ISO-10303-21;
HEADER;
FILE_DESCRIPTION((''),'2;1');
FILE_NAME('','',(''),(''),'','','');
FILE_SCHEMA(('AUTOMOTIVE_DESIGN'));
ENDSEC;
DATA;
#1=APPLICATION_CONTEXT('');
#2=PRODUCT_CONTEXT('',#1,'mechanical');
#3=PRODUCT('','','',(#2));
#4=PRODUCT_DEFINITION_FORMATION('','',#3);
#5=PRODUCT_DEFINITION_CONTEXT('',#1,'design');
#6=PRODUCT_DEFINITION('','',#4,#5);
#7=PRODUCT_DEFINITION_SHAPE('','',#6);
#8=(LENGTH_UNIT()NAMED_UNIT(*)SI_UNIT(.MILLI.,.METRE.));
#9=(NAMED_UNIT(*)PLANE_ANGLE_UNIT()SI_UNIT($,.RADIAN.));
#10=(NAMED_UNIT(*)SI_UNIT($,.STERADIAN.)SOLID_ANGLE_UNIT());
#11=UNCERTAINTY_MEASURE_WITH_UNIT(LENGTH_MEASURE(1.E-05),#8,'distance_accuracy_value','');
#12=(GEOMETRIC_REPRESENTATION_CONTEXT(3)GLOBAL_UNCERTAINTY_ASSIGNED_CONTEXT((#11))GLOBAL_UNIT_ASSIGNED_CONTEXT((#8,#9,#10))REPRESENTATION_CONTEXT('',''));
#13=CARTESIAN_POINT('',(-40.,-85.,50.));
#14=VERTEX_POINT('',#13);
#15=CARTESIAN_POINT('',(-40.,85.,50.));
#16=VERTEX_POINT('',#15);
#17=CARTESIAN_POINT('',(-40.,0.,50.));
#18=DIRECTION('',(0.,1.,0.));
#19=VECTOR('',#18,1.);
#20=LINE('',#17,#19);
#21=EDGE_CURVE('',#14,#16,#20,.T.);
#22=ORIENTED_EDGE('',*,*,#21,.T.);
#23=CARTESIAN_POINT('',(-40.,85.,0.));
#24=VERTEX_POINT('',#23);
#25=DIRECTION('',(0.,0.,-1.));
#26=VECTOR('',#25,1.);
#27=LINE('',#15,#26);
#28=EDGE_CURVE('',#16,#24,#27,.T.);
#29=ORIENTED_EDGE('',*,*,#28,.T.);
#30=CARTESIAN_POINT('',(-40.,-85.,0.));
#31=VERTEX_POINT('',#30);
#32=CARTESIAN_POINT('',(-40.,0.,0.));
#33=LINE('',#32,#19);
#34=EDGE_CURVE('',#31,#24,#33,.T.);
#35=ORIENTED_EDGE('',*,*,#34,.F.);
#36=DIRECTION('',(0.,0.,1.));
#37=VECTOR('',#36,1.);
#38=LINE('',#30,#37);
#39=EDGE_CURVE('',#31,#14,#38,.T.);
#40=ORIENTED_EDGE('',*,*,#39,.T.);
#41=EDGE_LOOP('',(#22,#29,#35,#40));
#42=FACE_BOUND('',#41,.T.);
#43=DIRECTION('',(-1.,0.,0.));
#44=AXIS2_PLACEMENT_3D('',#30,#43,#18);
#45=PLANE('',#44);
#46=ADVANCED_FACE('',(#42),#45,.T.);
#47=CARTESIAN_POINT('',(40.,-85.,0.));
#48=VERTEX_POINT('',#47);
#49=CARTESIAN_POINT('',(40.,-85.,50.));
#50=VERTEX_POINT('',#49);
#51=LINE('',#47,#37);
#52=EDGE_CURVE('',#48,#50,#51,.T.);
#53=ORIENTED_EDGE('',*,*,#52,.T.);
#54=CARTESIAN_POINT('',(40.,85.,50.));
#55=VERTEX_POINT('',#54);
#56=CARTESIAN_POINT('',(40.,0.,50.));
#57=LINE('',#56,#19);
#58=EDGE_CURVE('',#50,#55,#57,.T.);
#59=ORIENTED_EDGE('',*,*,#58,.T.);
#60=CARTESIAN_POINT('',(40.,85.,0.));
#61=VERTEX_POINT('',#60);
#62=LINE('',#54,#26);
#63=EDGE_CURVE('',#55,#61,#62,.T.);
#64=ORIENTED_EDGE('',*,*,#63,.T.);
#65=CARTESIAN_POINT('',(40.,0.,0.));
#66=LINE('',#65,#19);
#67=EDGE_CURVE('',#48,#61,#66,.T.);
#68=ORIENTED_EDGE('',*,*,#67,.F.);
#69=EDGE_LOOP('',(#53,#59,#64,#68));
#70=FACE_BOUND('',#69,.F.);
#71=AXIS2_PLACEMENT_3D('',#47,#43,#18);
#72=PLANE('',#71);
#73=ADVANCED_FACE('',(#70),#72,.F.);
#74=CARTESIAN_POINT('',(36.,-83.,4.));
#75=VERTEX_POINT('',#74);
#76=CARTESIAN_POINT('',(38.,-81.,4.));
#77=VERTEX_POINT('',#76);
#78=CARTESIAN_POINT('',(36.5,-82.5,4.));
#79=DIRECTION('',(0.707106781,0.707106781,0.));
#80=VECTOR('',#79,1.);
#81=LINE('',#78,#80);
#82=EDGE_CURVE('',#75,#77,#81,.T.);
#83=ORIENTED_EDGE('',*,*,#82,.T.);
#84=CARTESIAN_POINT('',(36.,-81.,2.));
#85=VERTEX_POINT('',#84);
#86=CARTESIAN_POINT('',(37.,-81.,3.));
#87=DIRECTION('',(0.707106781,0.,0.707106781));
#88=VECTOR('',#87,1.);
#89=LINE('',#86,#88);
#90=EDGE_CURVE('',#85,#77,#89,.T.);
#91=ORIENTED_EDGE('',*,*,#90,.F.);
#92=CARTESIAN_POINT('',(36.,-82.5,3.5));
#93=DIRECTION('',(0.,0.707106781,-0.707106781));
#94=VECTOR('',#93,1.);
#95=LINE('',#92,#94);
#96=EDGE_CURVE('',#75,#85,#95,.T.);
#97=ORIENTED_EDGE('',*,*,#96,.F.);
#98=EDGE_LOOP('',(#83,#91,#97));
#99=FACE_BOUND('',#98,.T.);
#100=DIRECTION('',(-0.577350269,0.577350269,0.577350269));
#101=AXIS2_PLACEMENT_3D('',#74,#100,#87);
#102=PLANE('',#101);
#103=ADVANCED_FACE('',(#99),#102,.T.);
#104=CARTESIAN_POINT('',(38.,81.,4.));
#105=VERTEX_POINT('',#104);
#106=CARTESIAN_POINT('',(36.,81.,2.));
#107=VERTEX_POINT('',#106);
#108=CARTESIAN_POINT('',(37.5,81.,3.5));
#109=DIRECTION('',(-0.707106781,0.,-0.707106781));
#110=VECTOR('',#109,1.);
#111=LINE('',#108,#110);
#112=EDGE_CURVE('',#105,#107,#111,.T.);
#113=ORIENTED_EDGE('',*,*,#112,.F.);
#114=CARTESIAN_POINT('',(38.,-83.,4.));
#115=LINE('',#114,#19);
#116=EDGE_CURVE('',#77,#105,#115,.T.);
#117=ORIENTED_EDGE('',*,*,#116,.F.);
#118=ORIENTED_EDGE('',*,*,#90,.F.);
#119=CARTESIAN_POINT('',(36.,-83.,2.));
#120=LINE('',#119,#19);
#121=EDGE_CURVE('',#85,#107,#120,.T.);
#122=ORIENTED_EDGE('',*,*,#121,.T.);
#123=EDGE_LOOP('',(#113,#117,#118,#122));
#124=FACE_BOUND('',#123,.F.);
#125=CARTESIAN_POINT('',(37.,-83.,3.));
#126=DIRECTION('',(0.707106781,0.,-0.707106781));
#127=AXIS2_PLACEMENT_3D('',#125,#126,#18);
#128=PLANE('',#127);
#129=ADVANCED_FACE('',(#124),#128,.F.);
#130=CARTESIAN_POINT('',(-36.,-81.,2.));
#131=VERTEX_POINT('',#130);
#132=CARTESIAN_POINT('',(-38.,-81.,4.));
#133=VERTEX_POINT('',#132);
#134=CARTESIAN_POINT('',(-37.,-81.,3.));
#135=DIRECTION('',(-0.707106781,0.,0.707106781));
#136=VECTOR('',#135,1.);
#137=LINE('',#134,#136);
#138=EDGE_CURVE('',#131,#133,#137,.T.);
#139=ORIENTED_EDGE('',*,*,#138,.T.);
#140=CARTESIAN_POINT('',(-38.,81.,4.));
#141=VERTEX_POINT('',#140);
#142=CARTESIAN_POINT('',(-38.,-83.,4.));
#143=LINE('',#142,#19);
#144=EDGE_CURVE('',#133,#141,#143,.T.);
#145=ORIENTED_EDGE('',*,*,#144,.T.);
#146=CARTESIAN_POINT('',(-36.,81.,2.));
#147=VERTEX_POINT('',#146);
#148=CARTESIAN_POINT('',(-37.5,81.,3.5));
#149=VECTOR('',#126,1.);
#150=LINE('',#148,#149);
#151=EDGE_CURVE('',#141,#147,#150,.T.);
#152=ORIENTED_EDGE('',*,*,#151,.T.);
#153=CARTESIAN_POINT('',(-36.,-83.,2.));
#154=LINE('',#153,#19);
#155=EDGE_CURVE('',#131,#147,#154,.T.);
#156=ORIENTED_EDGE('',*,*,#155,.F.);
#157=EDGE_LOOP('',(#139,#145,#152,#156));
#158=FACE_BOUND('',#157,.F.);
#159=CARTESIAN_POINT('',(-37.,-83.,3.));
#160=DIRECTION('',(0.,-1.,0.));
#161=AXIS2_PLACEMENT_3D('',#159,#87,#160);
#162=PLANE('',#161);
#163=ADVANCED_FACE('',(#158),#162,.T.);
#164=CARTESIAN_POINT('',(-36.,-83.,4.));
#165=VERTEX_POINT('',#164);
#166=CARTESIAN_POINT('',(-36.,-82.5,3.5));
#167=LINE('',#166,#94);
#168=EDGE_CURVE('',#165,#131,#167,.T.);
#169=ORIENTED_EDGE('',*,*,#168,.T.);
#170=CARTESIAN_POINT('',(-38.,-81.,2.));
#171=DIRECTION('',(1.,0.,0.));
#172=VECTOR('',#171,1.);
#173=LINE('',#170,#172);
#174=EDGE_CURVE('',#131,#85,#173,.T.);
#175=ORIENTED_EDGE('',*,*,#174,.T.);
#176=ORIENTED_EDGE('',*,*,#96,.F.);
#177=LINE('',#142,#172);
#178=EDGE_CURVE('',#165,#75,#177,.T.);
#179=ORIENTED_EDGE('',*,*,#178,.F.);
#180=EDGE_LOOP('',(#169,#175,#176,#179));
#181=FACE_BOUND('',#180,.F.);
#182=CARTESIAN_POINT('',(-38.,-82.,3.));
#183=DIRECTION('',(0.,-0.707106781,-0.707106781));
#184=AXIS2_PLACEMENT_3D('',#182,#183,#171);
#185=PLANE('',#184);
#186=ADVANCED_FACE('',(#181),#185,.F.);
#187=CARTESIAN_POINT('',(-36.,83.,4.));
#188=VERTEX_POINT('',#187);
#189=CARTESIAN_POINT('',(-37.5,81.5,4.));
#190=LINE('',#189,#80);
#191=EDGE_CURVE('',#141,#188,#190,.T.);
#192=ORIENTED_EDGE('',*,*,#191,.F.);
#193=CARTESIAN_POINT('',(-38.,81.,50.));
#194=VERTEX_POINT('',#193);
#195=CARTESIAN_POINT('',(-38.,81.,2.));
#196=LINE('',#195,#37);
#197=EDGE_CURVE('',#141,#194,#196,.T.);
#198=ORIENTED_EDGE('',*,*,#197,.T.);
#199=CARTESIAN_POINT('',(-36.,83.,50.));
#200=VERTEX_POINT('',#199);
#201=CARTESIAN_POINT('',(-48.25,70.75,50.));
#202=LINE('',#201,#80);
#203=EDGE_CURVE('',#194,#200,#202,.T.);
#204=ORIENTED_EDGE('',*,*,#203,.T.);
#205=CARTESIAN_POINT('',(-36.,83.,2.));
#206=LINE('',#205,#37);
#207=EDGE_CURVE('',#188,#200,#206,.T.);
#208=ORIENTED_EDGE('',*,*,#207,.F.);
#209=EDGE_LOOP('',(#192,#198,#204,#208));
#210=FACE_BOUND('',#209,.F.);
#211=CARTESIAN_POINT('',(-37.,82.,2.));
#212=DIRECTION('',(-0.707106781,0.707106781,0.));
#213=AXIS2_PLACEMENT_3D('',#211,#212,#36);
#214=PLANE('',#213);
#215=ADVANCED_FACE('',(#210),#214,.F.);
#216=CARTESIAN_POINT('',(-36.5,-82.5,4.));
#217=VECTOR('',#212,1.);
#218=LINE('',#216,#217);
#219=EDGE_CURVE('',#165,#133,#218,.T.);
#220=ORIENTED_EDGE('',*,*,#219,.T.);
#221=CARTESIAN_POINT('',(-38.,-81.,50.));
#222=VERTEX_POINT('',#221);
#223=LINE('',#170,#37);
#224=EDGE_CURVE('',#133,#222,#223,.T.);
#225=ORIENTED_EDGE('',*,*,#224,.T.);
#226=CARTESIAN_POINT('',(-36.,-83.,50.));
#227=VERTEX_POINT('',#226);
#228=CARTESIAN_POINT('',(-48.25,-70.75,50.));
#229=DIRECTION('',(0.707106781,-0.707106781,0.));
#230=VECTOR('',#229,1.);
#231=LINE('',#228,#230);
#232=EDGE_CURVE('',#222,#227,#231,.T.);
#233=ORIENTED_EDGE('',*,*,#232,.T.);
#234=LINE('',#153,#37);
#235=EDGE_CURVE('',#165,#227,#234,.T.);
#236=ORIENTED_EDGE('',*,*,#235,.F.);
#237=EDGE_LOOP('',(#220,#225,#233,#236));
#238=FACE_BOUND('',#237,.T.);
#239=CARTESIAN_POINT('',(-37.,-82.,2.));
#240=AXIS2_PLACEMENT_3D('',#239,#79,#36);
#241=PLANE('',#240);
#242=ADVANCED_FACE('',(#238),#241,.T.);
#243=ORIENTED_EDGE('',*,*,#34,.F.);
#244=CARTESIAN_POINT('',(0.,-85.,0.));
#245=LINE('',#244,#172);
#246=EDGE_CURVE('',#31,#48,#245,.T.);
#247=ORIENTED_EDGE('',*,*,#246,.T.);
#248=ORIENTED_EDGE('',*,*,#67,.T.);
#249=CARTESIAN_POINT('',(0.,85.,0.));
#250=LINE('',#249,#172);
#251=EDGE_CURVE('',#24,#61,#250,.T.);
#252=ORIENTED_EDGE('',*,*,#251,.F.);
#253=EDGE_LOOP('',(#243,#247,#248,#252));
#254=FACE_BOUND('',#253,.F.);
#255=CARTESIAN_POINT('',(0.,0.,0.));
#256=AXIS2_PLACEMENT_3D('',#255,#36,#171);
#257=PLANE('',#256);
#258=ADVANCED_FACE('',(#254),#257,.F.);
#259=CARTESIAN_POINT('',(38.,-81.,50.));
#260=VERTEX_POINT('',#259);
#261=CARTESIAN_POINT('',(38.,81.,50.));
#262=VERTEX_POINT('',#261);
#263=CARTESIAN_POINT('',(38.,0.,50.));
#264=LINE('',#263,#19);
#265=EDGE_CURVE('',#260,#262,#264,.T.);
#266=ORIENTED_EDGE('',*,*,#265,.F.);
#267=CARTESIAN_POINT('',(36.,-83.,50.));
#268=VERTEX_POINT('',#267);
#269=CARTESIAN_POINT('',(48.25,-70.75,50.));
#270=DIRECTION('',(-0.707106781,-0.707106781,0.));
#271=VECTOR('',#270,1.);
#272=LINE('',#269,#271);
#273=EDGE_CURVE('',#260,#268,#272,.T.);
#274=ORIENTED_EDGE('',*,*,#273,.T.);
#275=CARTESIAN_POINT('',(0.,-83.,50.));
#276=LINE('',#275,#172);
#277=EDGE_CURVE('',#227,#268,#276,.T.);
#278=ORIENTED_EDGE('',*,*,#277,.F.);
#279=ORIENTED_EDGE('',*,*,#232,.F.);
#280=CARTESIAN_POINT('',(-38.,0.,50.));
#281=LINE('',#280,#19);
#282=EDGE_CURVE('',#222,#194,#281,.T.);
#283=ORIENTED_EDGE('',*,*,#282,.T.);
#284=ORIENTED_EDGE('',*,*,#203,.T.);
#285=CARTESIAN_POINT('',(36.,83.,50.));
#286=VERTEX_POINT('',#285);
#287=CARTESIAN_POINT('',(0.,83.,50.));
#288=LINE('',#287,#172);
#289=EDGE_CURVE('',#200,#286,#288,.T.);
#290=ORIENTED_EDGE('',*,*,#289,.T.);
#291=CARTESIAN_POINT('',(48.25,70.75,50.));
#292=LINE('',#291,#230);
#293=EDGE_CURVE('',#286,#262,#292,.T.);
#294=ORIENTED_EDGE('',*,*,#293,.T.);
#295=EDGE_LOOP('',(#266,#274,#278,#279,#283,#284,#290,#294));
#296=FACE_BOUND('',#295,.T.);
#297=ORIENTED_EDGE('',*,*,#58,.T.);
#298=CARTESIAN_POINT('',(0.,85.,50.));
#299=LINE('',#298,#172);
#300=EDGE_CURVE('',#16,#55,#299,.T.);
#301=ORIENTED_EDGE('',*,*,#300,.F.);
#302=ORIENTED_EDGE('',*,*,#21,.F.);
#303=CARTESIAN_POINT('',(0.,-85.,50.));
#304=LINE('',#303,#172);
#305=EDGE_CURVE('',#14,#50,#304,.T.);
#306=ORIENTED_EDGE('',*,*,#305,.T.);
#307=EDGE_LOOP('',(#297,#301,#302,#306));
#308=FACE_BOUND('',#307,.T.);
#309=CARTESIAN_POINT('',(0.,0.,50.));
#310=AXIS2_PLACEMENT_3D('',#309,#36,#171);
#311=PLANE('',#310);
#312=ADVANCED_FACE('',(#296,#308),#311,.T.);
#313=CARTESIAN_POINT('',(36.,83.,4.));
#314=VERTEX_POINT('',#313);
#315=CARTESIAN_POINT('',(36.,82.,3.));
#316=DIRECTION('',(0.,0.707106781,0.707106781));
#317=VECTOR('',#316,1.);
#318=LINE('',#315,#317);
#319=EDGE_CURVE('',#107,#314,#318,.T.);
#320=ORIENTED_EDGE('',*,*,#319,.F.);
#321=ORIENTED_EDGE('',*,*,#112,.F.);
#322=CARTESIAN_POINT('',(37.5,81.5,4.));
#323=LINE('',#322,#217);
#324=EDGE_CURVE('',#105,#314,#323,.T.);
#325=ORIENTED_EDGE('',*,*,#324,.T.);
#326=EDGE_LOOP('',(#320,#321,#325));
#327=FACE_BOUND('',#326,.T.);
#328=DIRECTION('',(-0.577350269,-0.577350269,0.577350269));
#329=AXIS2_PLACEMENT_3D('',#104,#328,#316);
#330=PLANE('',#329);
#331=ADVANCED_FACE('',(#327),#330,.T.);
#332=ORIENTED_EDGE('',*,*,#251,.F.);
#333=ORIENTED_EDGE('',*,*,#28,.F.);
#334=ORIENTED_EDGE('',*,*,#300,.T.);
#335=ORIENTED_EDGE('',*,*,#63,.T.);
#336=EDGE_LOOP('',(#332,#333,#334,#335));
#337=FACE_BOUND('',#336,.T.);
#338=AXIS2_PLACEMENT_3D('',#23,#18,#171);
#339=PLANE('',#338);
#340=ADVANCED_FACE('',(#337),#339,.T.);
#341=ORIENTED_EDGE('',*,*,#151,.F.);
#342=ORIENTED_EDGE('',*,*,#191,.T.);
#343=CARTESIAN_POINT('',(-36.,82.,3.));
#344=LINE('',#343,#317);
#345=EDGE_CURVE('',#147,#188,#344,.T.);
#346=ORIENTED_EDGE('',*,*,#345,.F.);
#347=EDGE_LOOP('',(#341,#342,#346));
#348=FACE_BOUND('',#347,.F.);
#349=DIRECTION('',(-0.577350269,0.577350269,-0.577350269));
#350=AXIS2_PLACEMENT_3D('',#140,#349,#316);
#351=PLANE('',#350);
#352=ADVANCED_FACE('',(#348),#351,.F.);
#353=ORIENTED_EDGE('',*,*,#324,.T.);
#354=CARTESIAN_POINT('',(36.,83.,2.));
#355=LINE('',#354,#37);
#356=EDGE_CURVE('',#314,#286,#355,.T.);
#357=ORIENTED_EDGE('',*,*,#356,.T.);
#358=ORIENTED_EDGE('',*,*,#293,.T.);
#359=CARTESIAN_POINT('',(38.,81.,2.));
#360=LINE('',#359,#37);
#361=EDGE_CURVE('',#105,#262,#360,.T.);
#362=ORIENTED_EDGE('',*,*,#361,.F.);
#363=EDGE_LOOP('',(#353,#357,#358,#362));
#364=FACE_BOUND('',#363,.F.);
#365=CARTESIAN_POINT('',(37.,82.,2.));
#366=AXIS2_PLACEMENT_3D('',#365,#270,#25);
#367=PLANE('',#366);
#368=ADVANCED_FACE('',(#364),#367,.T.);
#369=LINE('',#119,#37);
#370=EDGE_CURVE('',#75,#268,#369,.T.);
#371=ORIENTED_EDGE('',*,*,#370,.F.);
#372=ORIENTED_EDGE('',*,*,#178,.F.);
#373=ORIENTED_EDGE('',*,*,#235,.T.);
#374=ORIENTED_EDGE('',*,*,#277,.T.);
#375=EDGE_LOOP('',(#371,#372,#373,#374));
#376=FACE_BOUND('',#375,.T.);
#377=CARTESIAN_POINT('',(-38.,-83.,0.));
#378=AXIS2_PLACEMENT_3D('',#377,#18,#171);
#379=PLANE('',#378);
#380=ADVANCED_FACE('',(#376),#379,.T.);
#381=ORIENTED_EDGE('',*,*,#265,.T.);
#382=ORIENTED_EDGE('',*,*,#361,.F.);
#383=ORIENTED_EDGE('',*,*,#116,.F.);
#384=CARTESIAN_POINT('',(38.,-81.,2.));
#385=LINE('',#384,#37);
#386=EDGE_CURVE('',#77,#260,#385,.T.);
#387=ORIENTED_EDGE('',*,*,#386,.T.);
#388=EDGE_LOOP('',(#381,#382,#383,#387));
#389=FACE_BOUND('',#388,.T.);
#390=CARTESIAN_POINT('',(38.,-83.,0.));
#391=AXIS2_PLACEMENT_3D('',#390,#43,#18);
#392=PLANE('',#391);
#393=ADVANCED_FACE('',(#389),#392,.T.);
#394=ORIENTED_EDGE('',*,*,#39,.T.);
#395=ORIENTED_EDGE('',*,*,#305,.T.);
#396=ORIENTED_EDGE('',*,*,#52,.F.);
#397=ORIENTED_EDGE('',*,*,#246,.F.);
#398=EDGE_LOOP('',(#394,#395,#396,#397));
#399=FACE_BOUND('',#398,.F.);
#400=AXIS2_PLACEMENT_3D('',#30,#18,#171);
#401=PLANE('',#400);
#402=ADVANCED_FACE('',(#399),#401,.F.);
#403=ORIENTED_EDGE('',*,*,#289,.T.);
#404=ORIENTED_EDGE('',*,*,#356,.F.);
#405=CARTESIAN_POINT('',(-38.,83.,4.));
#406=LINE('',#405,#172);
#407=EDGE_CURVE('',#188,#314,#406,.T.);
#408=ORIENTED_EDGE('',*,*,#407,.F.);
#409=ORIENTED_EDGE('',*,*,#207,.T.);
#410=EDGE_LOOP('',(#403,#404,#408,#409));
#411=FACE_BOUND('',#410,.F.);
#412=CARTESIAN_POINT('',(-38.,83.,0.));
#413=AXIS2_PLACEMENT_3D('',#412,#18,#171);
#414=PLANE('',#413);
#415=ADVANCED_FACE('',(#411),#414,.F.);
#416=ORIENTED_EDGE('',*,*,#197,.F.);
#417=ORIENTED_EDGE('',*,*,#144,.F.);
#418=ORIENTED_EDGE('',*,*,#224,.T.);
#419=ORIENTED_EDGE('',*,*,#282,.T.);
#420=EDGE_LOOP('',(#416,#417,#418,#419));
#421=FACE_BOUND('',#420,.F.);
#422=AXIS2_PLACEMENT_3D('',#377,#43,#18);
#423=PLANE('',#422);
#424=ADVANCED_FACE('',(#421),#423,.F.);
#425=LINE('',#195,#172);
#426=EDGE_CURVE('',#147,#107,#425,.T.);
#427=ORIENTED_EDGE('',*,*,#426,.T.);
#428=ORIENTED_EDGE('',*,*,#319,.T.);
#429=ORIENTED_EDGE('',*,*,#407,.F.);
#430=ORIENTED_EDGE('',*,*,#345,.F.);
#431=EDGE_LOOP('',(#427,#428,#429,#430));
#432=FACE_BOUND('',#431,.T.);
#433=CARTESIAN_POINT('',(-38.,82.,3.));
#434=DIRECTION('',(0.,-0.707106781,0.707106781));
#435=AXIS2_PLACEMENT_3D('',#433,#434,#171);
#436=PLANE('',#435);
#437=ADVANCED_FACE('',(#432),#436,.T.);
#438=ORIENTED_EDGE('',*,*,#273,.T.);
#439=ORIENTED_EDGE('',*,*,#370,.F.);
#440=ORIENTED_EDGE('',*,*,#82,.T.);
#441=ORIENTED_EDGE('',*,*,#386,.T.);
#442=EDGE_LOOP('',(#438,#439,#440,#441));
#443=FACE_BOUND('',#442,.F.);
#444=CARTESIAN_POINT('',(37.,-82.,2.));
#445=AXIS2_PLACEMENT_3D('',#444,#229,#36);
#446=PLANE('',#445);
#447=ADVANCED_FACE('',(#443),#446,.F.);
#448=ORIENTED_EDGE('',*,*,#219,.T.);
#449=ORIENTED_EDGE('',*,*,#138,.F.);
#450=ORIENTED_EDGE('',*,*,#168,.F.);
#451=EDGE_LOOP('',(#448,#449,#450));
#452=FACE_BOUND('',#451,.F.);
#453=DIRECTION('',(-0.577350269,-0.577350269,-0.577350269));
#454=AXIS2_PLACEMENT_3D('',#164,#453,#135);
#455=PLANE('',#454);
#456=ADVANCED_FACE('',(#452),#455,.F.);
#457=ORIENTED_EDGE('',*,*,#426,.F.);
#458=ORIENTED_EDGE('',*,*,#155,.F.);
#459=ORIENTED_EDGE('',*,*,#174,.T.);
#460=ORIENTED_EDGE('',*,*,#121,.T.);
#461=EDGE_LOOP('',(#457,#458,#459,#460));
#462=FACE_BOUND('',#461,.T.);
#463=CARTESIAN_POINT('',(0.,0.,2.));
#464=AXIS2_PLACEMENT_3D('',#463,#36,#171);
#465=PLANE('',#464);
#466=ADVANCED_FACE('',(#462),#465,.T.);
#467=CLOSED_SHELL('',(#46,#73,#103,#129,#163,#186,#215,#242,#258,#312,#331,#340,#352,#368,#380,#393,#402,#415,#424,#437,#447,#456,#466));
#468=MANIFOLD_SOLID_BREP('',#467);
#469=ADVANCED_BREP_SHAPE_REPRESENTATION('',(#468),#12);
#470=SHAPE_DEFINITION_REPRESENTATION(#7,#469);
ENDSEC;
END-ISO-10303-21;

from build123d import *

# Parameters (mm, degrees)
F1_W     = 80
F1_H     = 170
F1_W_2   = 76
F1_H_2   = 166
F2_DEPTH = 50
F3_DEPTH = 2
F4_SIZE  = 2


with BuildPart() as f2:
    # F1 (on Top) → F2 (new body)
    with BuildSketch(Plane.XY):
        Rectangle(F1_W, F1_H)
        Rectangle(F1_W_2, F1_H_2, mode=Mode.SUBTRACT)
    extrude(amount=F2_DEPTH)

    # F1 (on Top) → F3 (join)
    with BuildSketch(Plane.XY):
        Rectangle(F1_W, F1_H)
        Rectangle(F1_W_2, F1_H_2, mode=Mode.SUBTRACT)
        Rectangle(F1_W_2, F1_H_2)
    extrude(amount=F3_DEPTH)

    # F4
    f4_edges = [f2.edges().sort_by_distance(p)[0] for p in [
        (0, 83, 2),
        (38, 0, 2),
        (-38, 0, 2),
        (0, -83, 2),
        (38, -83, 26),
        (38, 83, 26),
        (-38, 83, 26),
        (-38, -83, 26),
    ]]
    chamfer(f4_edges, length=F4_SIZE)


solid = f2.part
